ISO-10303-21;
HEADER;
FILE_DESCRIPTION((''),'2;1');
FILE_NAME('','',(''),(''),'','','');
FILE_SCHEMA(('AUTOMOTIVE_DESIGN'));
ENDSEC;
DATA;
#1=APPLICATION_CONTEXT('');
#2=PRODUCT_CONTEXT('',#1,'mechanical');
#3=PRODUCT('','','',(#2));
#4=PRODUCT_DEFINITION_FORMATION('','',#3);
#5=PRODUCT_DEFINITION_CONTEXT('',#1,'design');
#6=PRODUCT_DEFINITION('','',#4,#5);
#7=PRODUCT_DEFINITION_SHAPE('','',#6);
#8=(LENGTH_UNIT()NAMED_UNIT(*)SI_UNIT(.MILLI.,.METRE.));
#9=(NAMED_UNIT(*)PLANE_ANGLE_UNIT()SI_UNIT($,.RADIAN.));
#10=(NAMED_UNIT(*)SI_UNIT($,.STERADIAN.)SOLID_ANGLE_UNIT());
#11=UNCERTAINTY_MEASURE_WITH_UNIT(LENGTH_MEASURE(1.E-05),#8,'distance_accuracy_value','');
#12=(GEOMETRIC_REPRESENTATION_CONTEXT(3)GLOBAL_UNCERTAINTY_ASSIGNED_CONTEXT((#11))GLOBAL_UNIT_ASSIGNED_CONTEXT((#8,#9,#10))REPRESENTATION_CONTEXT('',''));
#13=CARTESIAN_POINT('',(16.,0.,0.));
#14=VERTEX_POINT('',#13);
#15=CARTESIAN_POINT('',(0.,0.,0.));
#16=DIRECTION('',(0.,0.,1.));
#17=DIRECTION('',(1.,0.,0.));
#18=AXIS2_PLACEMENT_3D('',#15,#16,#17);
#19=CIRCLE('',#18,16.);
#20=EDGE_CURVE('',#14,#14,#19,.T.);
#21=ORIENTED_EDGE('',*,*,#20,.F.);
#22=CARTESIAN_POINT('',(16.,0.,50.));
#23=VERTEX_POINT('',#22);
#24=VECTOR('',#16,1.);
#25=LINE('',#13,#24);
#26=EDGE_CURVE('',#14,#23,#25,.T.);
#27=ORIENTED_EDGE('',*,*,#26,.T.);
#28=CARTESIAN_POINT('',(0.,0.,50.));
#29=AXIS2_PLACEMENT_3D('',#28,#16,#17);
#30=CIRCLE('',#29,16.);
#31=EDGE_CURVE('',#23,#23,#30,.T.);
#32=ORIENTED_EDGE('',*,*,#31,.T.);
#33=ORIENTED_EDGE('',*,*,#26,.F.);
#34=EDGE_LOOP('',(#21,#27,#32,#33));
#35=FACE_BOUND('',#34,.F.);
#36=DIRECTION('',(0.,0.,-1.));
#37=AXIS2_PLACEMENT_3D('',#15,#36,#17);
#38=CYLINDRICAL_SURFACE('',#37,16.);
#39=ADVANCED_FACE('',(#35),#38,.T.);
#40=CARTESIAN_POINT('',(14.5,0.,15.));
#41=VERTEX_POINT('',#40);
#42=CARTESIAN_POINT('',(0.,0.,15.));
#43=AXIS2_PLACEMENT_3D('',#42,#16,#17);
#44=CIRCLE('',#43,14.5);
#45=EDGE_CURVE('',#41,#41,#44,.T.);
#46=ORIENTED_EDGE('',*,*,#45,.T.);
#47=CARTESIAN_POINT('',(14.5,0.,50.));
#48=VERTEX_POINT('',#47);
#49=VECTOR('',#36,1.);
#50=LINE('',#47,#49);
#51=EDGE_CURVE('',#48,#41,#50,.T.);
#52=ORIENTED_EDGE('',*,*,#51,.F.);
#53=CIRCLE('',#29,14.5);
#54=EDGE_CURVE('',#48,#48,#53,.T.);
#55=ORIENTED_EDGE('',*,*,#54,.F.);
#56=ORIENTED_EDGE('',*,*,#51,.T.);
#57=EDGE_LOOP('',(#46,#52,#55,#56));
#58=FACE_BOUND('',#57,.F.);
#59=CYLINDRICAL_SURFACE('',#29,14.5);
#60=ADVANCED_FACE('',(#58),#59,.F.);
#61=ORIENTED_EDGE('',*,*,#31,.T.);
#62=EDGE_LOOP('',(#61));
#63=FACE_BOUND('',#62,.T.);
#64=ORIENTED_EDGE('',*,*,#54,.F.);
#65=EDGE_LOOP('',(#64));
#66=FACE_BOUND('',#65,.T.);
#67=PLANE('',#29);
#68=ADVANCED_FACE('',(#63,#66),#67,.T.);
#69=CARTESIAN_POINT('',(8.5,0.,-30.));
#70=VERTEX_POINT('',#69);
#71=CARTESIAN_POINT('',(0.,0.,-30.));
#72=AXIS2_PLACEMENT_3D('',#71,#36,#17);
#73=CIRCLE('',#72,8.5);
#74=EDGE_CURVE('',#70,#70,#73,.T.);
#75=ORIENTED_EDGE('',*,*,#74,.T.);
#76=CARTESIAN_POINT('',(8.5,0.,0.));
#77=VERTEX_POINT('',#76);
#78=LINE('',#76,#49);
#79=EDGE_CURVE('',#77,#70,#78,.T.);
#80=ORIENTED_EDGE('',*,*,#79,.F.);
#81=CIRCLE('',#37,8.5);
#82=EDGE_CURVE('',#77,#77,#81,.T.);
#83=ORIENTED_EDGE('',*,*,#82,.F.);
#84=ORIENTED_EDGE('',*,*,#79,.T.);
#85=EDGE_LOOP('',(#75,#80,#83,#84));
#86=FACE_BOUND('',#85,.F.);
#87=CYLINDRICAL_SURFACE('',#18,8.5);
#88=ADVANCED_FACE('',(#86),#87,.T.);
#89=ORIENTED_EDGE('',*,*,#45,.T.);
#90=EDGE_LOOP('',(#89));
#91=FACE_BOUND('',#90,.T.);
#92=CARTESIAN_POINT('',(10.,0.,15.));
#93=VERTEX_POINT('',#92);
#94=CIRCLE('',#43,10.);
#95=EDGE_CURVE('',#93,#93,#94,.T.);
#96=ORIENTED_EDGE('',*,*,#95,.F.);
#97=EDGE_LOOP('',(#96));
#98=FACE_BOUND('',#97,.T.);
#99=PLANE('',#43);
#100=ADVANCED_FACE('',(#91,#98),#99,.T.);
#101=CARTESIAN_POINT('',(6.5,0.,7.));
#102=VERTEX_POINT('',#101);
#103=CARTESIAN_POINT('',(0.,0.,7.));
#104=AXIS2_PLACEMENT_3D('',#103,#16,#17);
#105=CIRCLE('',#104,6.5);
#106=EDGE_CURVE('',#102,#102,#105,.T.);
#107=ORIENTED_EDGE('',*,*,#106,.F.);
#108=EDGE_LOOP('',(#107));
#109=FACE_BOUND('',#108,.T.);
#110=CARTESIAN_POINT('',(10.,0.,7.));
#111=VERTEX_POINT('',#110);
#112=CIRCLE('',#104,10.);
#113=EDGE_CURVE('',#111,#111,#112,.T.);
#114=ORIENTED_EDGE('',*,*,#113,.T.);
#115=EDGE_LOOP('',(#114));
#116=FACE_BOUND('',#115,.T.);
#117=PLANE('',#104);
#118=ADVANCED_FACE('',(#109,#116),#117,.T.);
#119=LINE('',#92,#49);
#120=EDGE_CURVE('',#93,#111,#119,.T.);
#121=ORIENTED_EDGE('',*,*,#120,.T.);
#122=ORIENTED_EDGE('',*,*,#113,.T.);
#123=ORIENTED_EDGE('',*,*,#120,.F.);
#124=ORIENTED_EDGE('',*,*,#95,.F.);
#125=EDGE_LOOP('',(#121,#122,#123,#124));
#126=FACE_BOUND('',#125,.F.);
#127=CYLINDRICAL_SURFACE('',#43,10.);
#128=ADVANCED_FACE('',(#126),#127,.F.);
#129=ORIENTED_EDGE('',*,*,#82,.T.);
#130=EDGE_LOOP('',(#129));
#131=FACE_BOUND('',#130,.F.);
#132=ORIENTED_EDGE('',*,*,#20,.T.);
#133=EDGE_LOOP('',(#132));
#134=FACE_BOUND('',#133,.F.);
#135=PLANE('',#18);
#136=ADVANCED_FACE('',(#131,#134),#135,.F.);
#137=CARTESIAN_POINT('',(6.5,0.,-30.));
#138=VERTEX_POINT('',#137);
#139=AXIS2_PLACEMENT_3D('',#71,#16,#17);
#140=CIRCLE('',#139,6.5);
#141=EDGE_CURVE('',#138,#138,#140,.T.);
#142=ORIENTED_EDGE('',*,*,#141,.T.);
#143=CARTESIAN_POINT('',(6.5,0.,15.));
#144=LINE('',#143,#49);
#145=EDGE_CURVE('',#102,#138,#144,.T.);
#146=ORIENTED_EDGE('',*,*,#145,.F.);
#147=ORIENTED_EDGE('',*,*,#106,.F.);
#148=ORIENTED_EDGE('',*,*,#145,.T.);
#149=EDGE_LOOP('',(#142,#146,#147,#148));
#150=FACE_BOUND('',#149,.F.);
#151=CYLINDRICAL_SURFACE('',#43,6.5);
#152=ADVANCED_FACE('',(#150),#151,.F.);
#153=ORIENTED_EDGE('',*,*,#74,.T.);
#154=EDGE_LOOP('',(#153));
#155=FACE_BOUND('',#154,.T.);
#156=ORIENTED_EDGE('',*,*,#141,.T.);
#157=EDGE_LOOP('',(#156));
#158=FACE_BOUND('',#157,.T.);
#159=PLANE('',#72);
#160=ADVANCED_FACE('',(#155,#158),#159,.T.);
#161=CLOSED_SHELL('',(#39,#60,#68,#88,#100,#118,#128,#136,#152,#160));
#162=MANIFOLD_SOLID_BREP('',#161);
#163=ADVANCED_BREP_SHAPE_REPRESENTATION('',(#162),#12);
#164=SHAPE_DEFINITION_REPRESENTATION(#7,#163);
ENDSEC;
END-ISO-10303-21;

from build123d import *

# Parameters (mm, degrees)
F0_R     = 16
F1_DEPTH = 50
F2_R     = 14.5
F3_DEPTH = 35
F4_R     = 8.5
F5_DEPTH = 30
F6_R     = 6.5
F7_DEPTH = 45.001
F8_R     = 10
F9_DEPTH = 8


with BuildPart() as f1:
    # F0 (on Top) → F1 (new body)
    with BuildSketch(Plane.XY):
        Circle(F0_R)
    extrude(amount=F1_DEPTH)

    # F2 (on face) → F3 (cut)
    with BuildSketch(Plane.XY.offset(50)):
        Circle(F2_R)
    extrude(amount=-F3_DEPTH, mode=Mode.SUBTRACT)

    # F4 (on face) → F5 (join)
    with BuildSketch(Plane(origin=(0, 0, 0), x_dir=(1, 0, 0), z_dir=(0, 0, -1))):
        Circle(F4_R)
    extrude(amount=F5_DEPTH)

    # F6 (on face) → F7 (cut, through all)
    with BuildSketch(Plane.XY.offset(15)):
        Circle(F6_R)
    extrude(amount=-F7_DEPTH, mode=Mode.SUBTRACT)

    # F8 (on face) → F9 (cut)
    with BuildSketch(Plane.XY.offset(15)):
        Circle(F8_R)
    extrude(amount=-F9_DEPTH, mode=Mode.SUBTRACT)


solid = f1.part
